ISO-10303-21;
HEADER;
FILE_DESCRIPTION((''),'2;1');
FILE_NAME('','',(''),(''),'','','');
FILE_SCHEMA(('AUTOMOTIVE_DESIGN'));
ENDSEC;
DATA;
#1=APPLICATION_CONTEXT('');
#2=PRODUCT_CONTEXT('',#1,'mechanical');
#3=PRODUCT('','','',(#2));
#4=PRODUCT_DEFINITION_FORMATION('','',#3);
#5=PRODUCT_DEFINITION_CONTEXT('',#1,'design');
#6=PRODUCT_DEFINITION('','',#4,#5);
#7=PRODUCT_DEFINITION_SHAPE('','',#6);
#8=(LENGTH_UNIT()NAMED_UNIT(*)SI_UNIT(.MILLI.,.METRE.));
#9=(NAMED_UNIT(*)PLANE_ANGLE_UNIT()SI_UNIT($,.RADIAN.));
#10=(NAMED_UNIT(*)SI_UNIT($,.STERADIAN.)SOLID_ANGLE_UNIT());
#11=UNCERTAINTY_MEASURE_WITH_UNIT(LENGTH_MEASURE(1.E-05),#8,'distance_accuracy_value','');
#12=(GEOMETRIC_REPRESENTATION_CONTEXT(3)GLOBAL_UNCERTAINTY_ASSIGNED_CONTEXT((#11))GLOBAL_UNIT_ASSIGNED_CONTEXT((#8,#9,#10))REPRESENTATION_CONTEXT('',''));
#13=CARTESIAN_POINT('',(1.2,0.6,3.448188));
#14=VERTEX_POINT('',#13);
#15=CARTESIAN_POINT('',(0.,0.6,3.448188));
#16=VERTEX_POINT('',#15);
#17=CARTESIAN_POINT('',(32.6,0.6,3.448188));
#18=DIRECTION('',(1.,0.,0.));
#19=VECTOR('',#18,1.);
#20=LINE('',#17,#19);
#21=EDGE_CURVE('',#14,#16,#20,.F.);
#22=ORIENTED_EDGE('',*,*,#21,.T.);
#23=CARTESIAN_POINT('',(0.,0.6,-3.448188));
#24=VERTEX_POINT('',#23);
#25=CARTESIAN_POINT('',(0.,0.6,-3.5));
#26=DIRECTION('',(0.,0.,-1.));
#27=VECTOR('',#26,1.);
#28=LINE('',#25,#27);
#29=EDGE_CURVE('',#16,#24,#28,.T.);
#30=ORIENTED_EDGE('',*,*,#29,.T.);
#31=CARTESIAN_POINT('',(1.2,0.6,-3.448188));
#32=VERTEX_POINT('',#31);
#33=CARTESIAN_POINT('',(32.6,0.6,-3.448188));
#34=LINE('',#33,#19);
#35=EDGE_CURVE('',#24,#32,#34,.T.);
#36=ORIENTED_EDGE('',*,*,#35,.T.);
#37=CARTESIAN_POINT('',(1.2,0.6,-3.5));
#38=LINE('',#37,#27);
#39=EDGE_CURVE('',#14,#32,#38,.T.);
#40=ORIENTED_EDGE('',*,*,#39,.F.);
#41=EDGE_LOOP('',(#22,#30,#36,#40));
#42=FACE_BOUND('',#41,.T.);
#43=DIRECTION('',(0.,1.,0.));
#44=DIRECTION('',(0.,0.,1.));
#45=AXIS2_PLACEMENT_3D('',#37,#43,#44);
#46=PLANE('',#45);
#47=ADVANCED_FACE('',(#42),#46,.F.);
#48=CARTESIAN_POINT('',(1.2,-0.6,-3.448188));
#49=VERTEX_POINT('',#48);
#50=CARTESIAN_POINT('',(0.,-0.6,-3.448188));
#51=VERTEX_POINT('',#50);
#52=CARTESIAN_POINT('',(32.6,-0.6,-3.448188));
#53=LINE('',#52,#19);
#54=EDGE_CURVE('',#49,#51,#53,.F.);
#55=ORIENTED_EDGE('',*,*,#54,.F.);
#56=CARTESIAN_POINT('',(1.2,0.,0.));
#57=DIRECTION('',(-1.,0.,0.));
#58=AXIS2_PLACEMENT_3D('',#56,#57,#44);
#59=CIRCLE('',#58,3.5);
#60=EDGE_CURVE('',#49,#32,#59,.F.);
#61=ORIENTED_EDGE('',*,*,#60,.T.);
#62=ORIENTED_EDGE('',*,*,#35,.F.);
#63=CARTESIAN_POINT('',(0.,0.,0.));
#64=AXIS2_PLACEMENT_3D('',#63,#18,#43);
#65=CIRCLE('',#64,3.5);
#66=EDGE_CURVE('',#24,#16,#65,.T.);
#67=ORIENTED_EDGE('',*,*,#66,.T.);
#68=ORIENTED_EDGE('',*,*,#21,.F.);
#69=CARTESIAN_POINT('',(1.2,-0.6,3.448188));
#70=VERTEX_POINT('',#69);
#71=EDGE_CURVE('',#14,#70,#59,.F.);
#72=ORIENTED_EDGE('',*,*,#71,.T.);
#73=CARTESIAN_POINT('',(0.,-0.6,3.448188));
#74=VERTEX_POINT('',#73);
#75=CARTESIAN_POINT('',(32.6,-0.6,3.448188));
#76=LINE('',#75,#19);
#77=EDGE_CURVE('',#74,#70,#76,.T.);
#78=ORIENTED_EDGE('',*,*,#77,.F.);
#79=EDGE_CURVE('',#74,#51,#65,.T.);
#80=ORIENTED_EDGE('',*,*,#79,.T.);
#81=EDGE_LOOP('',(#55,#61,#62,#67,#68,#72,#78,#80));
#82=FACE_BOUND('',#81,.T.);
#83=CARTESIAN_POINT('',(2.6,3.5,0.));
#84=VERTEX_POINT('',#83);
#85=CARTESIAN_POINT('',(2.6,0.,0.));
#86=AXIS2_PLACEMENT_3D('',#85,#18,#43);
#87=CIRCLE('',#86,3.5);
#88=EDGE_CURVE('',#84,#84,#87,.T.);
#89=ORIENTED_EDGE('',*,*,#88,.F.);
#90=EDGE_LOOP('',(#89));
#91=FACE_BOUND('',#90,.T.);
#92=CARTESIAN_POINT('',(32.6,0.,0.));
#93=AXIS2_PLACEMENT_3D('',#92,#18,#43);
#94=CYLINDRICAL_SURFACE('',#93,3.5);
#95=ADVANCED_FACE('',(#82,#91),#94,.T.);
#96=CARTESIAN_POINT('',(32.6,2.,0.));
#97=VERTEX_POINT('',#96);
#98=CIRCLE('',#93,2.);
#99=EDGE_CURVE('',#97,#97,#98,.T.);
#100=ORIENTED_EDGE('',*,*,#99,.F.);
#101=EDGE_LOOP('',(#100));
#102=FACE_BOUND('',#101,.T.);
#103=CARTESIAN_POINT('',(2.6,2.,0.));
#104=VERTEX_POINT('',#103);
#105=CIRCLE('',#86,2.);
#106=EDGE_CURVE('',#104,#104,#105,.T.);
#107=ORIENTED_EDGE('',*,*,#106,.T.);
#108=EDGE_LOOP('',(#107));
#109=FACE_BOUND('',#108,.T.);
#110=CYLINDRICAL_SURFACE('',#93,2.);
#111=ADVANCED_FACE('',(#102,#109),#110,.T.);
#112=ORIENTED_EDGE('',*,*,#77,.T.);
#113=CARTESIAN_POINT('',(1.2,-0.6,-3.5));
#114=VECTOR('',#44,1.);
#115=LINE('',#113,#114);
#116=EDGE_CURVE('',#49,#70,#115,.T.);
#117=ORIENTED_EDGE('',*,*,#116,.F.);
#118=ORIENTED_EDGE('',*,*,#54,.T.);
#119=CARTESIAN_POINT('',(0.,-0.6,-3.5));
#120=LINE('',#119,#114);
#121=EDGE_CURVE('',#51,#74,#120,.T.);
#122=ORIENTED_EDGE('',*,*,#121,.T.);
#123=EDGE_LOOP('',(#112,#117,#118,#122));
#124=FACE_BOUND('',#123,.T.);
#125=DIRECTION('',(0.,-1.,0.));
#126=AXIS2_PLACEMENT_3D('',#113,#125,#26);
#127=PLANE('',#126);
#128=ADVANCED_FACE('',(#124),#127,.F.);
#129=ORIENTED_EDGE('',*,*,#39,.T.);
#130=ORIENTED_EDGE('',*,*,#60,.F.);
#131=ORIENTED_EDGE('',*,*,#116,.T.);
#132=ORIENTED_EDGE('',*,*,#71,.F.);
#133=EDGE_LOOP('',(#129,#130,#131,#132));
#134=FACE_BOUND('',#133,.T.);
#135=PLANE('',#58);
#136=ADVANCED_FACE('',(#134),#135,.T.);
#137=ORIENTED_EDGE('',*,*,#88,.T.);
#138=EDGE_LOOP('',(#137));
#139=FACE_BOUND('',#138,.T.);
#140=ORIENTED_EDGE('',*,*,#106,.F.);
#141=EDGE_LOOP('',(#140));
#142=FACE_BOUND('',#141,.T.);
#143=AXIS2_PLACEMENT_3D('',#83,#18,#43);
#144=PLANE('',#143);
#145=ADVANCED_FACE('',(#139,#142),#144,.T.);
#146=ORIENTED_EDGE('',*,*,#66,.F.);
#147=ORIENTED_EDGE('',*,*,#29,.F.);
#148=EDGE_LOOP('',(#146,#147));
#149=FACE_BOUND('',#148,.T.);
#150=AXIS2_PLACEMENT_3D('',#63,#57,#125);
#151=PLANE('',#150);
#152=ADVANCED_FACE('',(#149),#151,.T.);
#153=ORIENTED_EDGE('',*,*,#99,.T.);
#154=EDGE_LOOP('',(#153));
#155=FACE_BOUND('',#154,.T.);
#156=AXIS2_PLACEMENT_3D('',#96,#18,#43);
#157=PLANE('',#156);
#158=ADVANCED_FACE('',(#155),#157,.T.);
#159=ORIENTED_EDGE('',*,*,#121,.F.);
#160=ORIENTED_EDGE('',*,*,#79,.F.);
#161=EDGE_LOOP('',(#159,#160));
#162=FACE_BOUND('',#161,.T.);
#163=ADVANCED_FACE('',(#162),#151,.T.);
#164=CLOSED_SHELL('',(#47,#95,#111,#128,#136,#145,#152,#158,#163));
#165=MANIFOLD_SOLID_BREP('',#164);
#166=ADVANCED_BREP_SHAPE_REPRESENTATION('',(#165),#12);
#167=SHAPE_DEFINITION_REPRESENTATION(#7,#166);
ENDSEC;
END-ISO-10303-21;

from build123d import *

# Parameters (mm, degrees)
SKETCH2_W          = 7
SKETCH2_H          = 1.2
CUT_EXTRUDE1_DEPTH = 1.2


with BuildPart() as part:
    # Sketch1 → Revolve1 (revolve)
    with BuildSketch(Plane.XY):
        Polygon((0, 0), (0, 3.5), (2.6, 3.5), (2.6, 2), (32.6, 2), (32.6, 0), align=None)
    revolve(axis=Axis((32.6, 0, 0), (-1, 0, 0)))

    # Sketch2 → Cut-Extrude1 (cut)
    with BuildSketch(Plane.ZY):
        Rectangle(SKETCH2_W, SKETCH2_H)
    extrude(amount=-CUT_EXTRUDE1_DEPTH, mode=Mode.SUBTRACT)


solid = part.part
